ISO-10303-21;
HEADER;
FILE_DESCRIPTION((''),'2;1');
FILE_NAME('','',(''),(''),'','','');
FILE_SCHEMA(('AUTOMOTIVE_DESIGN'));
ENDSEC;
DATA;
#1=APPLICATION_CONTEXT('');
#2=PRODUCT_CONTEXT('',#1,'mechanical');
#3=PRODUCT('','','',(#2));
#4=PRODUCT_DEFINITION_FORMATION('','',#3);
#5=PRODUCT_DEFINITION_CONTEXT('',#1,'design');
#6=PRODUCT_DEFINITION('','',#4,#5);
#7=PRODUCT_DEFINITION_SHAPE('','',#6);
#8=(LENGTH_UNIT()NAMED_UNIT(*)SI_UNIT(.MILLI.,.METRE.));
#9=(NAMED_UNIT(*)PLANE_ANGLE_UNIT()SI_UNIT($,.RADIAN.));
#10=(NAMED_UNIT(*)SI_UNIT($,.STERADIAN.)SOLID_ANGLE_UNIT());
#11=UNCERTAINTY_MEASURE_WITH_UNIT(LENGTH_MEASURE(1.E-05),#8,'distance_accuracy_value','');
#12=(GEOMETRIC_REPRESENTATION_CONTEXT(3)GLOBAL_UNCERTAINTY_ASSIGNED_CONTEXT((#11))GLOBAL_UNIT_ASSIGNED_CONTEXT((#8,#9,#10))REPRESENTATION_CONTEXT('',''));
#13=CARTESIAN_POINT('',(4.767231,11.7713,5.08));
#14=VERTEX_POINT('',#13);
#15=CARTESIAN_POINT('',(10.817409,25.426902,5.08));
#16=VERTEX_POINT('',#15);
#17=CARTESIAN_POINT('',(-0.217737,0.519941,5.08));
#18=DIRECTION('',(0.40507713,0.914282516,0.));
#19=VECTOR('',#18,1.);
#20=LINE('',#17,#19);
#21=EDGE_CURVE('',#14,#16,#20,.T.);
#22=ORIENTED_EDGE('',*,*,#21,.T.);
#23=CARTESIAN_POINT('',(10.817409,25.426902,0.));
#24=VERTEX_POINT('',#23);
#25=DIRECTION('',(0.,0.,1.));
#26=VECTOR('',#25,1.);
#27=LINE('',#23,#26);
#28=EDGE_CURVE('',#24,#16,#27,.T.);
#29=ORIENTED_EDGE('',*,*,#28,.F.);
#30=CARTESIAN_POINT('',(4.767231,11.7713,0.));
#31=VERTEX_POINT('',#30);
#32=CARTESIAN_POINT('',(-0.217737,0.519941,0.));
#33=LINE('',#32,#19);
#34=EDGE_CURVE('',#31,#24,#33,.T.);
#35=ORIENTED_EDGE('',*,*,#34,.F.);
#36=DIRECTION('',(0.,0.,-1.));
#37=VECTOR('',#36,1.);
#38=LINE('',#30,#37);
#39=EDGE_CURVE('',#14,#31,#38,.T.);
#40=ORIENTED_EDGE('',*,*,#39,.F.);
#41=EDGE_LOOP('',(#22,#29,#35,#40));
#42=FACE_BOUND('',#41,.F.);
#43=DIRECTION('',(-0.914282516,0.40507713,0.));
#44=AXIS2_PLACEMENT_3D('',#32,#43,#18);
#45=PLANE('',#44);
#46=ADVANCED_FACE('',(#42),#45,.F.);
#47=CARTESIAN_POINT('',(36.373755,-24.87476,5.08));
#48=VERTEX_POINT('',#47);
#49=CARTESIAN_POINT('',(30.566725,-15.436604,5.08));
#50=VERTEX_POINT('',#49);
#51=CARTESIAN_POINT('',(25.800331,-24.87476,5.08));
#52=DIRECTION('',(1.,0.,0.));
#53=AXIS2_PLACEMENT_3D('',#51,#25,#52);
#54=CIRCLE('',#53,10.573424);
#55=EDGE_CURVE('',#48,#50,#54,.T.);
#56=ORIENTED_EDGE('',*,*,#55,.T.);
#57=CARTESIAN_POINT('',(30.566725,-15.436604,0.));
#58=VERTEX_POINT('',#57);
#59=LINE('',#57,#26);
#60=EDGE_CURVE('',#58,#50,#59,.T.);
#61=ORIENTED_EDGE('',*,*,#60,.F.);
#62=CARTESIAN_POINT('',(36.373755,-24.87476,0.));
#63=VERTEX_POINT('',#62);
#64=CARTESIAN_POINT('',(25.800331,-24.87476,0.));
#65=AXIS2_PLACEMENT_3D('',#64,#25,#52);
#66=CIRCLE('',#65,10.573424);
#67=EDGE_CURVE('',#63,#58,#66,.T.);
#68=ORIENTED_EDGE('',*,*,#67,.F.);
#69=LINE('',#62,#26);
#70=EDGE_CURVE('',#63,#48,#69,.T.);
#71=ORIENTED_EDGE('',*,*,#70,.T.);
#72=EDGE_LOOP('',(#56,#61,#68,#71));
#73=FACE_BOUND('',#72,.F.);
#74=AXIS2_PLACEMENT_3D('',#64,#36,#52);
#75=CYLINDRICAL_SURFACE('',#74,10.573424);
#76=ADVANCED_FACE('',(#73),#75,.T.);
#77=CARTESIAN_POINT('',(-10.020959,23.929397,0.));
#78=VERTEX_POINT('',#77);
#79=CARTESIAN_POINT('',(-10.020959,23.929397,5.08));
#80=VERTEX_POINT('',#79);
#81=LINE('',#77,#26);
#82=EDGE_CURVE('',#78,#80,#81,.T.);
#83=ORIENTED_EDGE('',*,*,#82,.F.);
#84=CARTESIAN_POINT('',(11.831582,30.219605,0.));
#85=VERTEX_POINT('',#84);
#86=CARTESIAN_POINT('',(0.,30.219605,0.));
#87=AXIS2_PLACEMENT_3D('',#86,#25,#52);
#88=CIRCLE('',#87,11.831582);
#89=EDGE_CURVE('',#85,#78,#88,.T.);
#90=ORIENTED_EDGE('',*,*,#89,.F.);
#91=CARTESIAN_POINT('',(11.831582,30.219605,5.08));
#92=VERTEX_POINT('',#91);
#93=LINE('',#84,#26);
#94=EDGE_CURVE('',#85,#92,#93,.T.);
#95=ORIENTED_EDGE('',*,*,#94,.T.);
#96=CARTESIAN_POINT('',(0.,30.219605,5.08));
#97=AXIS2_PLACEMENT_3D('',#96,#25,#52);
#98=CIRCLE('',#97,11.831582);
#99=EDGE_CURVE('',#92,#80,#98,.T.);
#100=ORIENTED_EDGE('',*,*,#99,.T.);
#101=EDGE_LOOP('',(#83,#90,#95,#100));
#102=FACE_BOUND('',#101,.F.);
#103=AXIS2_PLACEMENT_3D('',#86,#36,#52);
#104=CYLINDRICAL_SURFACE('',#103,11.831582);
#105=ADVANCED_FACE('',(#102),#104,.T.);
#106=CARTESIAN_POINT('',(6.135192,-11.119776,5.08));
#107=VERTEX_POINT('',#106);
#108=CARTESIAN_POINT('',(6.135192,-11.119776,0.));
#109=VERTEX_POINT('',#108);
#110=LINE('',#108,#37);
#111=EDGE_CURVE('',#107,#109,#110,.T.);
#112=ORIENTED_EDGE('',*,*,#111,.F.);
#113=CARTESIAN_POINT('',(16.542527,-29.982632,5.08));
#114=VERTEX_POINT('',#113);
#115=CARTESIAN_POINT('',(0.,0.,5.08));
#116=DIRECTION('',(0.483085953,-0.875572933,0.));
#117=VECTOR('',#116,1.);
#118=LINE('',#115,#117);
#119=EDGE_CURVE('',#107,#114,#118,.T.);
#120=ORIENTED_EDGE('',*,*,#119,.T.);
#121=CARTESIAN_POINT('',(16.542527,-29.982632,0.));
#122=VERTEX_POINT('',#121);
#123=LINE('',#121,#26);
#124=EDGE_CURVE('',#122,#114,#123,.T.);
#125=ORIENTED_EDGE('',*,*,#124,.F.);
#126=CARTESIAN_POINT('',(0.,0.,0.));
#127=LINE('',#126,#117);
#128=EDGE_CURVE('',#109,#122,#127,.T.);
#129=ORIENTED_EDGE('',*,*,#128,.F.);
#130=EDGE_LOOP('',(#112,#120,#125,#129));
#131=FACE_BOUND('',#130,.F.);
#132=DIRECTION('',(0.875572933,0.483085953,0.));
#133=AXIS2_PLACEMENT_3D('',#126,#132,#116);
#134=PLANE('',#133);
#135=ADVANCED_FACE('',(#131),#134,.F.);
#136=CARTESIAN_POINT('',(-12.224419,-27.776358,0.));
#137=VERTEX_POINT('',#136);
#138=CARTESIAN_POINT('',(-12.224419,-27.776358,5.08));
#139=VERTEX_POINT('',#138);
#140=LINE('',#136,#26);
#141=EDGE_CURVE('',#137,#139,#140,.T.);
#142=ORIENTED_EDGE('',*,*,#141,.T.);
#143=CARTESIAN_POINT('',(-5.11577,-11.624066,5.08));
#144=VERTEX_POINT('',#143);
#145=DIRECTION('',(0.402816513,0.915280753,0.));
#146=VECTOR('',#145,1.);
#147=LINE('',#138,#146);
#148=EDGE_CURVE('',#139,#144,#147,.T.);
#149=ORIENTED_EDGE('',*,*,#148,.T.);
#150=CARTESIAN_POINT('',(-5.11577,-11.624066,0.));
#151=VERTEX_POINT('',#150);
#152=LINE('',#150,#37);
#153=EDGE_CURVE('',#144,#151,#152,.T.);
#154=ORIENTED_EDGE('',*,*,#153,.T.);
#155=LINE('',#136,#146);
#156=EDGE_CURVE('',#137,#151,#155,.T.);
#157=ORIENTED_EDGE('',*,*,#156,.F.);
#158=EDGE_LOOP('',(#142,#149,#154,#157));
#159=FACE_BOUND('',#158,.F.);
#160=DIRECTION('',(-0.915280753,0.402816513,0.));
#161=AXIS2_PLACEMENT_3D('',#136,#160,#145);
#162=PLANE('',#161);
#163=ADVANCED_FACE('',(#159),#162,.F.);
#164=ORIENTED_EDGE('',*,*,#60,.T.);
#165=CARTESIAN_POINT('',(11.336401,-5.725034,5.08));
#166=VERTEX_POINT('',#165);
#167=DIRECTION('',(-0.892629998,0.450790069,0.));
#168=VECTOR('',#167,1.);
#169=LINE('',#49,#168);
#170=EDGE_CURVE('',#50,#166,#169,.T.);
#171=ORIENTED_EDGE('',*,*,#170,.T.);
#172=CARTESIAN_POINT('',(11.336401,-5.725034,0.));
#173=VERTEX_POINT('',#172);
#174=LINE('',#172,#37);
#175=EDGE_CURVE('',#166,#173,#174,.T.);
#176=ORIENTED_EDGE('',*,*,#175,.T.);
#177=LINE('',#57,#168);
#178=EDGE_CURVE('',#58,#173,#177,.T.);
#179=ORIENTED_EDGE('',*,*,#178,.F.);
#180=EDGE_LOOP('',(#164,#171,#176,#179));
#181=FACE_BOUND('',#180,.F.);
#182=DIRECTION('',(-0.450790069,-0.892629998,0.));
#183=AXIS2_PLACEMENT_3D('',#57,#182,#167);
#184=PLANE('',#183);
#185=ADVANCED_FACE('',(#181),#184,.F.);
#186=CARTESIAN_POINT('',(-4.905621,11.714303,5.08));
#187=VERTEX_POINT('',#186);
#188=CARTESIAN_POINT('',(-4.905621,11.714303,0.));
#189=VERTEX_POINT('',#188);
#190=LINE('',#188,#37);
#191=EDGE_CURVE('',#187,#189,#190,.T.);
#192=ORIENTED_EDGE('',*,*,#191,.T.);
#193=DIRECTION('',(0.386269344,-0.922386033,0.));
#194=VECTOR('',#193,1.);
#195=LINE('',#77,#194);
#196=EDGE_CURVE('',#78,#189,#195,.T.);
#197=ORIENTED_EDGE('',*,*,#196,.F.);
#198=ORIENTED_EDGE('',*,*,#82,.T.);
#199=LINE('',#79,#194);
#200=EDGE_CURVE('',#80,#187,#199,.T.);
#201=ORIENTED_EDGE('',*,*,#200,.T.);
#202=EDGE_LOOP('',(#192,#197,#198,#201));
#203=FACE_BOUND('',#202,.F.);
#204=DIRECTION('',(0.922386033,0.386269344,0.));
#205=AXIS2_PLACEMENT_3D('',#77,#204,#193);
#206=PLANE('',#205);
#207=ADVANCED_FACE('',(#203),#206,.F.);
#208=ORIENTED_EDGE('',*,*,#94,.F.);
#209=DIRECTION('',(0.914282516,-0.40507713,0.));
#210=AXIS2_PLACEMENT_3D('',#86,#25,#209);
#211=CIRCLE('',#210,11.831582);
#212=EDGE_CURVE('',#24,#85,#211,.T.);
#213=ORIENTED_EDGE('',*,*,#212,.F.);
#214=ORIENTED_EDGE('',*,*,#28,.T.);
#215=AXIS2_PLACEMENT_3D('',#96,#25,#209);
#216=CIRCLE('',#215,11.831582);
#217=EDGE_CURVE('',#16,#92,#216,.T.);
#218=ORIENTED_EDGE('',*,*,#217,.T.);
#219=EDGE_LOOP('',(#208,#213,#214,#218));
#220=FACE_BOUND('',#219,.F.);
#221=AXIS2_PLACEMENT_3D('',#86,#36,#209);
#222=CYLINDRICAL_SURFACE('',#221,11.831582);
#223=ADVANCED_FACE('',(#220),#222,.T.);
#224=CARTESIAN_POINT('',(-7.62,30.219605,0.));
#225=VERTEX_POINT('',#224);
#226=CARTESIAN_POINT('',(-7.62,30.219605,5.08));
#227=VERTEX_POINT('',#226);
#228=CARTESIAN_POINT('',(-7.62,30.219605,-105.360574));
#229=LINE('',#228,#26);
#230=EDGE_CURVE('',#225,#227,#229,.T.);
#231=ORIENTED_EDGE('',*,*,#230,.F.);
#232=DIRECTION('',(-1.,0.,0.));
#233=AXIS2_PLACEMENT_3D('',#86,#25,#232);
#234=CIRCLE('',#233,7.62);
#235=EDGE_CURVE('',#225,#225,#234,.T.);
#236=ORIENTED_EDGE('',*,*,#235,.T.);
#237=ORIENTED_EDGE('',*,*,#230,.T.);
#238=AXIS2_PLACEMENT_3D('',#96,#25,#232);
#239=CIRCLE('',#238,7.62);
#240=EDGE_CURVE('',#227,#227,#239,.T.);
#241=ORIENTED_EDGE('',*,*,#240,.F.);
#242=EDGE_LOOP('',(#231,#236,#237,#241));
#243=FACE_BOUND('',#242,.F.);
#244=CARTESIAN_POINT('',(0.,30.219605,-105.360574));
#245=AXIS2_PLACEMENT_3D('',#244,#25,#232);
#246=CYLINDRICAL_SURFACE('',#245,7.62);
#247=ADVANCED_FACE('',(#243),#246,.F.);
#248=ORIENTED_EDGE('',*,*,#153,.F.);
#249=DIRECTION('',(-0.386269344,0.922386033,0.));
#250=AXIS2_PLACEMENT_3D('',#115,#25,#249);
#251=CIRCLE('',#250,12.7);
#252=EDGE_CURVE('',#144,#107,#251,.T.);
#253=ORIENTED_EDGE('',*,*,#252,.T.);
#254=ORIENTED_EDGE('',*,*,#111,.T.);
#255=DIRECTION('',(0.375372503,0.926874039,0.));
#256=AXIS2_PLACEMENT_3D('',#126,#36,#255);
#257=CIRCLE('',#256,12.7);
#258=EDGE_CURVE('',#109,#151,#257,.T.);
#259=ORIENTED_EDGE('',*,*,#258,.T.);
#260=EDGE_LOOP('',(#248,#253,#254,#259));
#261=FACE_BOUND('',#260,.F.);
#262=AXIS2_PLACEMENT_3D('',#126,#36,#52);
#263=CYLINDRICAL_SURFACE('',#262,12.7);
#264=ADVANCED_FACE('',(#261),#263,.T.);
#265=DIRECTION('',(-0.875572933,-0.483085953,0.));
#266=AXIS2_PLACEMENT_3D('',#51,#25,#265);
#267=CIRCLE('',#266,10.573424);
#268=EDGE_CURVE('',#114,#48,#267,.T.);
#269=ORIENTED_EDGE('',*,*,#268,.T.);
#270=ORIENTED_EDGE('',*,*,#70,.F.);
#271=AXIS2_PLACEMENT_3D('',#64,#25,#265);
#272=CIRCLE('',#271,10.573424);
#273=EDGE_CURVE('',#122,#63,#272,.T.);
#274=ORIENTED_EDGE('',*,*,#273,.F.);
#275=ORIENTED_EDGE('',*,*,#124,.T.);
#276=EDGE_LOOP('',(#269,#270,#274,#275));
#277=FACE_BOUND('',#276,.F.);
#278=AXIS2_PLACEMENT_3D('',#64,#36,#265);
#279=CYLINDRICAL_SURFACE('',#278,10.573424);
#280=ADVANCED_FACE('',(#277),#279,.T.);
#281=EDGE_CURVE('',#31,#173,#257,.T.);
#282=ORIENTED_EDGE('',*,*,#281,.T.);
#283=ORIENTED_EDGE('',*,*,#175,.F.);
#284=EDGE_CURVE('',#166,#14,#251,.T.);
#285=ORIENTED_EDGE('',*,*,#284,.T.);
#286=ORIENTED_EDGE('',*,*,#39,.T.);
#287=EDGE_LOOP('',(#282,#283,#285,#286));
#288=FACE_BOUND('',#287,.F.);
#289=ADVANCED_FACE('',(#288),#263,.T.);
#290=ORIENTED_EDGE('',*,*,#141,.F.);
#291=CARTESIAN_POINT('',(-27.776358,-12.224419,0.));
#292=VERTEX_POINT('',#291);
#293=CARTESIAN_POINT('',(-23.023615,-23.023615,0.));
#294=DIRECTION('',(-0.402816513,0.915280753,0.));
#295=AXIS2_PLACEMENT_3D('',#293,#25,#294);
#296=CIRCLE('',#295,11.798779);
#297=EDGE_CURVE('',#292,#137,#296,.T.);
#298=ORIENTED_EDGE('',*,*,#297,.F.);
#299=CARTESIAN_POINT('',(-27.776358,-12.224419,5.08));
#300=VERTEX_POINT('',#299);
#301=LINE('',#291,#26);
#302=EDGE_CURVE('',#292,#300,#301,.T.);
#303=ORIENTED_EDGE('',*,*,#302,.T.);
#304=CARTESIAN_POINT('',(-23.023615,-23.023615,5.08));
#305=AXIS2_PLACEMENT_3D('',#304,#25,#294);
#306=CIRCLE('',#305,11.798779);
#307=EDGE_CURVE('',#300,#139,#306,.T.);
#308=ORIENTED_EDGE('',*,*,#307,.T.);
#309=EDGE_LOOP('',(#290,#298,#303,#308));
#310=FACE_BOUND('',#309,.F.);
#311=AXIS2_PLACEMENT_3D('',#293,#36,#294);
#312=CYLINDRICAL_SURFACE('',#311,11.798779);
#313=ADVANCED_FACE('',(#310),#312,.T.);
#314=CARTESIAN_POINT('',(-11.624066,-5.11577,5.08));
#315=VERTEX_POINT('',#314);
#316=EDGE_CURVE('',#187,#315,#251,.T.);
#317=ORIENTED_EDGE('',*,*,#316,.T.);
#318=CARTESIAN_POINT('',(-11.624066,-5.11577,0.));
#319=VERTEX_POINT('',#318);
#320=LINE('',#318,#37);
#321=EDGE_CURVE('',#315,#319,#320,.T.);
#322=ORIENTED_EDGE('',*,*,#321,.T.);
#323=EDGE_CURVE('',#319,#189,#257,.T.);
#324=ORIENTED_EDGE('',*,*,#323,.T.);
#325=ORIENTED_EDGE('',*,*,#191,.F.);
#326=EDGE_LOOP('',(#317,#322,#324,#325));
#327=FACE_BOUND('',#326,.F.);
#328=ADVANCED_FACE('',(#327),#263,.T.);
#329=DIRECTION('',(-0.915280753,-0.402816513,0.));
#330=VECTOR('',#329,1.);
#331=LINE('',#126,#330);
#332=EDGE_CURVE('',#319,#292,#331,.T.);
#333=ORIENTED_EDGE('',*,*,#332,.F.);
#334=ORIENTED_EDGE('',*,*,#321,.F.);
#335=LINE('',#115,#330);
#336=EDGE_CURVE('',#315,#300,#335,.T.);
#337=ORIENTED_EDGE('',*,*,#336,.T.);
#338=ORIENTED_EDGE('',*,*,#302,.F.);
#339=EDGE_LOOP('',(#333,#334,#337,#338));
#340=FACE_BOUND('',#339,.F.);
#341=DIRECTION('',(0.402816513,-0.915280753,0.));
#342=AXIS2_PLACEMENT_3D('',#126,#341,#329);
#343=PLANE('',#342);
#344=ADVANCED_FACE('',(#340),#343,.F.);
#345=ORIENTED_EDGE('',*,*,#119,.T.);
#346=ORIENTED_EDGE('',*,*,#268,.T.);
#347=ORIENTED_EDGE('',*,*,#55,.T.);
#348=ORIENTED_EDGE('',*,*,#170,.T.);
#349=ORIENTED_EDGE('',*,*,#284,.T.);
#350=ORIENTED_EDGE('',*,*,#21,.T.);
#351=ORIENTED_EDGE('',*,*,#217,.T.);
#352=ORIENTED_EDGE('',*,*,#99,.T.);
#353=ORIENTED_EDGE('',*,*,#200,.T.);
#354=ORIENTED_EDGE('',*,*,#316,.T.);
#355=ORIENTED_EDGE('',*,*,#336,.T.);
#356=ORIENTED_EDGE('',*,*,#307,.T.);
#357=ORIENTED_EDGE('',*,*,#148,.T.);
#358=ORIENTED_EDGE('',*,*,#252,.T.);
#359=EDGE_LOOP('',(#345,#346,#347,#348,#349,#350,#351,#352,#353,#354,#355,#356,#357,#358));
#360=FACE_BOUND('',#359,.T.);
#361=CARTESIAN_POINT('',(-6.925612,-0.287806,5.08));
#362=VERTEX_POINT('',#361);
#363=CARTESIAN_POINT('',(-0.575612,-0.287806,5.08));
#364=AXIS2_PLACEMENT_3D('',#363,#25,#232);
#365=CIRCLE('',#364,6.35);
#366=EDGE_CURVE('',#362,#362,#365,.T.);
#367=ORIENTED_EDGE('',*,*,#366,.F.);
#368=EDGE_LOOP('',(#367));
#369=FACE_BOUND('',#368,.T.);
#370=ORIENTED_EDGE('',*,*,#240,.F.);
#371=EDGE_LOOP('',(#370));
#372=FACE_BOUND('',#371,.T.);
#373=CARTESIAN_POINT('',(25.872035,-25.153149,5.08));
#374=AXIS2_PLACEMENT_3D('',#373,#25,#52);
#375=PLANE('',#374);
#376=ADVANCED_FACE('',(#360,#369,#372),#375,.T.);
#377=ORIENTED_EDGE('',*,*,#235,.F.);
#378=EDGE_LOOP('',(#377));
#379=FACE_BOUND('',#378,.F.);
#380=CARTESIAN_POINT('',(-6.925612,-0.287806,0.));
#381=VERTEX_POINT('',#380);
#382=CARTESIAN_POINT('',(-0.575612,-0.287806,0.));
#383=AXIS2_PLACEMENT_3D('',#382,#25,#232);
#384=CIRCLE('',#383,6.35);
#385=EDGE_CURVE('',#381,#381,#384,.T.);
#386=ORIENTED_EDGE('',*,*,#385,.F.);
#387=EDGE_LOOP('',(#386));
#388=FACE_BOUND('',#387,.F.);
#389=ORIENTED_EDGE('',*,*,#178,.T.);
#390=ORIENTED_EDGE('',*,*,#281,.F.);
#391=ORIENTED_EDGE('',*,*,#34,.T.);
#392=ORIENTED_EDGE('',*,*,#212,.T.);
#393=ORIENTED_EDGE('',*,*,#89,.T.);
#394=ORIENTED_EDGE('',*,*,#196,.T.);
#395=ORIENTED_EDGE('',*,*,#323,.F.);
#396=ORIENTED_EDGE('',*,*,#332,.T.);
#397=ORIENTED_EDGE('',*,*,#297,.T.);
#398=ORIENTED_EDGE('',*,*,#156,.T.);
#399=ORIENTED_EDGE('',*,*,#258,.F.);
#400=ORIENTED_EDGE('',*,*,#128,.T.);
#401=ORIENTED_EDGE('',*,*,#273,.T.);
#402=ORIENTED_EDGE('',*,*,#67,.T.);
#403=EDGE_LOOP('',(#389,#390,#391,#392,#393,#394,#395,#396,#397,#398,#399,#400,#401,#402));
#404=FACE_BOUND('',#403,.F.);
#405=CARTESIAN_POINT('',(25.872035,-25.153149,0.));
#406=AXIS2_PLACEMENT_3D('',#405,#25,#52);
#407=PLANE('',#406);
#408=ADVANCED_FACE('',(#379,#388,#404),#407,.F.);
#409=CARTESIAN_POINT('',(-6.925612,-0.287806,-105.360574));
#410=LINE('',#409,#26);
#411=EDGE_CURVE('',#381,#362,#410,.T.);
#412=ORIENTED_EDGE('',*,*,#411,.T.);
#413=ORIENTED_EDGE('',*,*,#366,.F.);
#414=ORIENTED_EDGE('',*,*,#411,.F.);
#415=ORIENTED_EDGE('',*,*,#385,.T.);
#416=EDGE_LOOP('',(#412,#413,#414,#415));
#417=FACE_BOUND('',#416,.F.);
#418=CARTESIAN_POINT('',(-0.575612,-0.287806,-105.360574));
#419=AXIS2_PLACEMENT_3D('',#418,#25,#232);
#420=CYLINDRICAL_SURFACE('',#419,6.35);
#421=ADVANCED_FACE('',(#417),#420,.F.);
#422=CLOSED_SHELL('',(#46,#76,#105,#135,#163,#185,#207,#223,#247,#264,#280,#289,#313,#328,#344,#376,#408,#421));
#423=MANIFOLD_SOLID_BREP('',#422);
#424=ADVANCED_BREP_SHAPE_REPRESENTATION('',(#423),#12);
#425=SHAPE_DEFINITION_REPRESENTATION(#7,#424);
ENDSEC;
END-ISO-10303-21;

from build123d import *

# Parameters (mm, degrees)
F0_R     = 12.7
F1_DEPTH = 5.08
F3_DEPTH = 5.08
F5_DEPTH = 5.08
F7_DEPTH = 5.08
F8_D     = 15.24
F9_D     = 12.7


with BuildPart() as f1:
    # F0 (on Top) → F1 (new body)
    with BuildSketch(Plane.XY):
        Circle(F0_R)
    extrude(amount=F1_DEPTH)

    # F2 (on Top) → F3 (join)
    with BuildSketch(Plane.XY):
        with BuildLine():
            ThreePointArc((10.8174087007, 25.4269018523), (11.5752623309, 27.7701892875), (11.8315821556, 30.2196051925))
            ThreePointArc((11.8315821556, 30.2196051925), (-3.2728076401, 41.5895245615), (-10.0209587397, 23.9293967507))
            ThreePointArc((-10.0209587397, 23.9293967507), (0.8480645715, 18.4184559779), (10.8174087007, 25.4269018523))
        make_face()
        with BuildLine():
            ThreePointArc((10.8174087007, 25.4269018523), (0.8480645715, 18.4184559779), (-10.0209587397, 23.9293967507))
            Line((-10.0209587397, 23.9293967507), (-0.217736535, 0.5199406632))
            Line((-0.217736535, 0.5199406632), (10.8174087007, 25.4269018523))
        make_face()
    extrude(amount=F3_DEPTH)

    # F4 (on Top) → F5 (join)
    with BuildSketch(Plane.XY):
        with BuildLine():
            ThreePointArc((-12.2244191743, -27.7763577499), (-11.4774353607, -25.4519749313), (-11.2248354851, -23.0236146599))
            ThreePointArc((-11.2248354851, -23.0236146599), (-16.5763429957, -13.1421229656), (-27.7763577499, -12.2244191743))
            ThreePointArc((-27.7763577499, -12.2244191743), (-31.3666114242, -31.3666114242), (-12.2244191743, -27.7763577499))
        make_face()
        with BuildLine():
            ThreePointArc((-27.7763577499, -12.2244191743), (-16.5763429957, -13.1421229656), (-11.2248354851, -23.0236146599))
            ThreePointArc((-11.2248354851, -23.0236146599), (-11.4774353607, -25.4519749313), (-12.2244191743, -27.7763577499))
            Line((-12.2244191743, -27.7763577499), (0, 0))
            Line((0, 0), (-27.7763577499, -12.2244191743))
        make_face()
    extrude(amount=F5_DEPTH)

    # F6 (on Top) → F7 (join)
    with BuildSketch(Plane.XY):
        with BuildLine():
            ThreePointArc((16.5425266567, -29.9826324727), (28.4376217504, -35.1139976634), (36.3737546099, -24.874759838))
            ThreePointArc((36.3737546099, -24.874759838), (34.8057291344, -19.3339934072), (30.5667251163, -15.4366043497))
            ThreePointArc((30.5667251163, -15.4366043497), (18.1885027261, -17.5360015638), (16.5425266567, -29.9826324727))
        make_face()
        with BuildLine():
            ThreePointArc((16.5425266567, -29.9826324727), (18.1885027261, -17.5360015638), (30.5667251163, -15.4366043497))
            Line((30.5667251163, -15.4366043497), (0, 0))
            Line((0, 0), (16.5425266567, -29.9826324727))
        make_face()
    extrude(amount=F7_DEPTH)

    # F8 (through all)
    with Locations(Plane(origin=(0, 0, 0), x_dir=(1, 0, 0), z_dir=(0, 0, -1))):
        with Locations((0, -30.2196051925)):
            Hole(F8_D / 2)

    # F9 (through all)
    with Locations(Plane(origin=(0, 0, 0), x_dir=(1, 0, 0), z_dir=(0, 0, -1))):
        with Locations((-0.5756123574, 0.2878057712)):
            Hole(F9_D / 2)


solid = f1.part
